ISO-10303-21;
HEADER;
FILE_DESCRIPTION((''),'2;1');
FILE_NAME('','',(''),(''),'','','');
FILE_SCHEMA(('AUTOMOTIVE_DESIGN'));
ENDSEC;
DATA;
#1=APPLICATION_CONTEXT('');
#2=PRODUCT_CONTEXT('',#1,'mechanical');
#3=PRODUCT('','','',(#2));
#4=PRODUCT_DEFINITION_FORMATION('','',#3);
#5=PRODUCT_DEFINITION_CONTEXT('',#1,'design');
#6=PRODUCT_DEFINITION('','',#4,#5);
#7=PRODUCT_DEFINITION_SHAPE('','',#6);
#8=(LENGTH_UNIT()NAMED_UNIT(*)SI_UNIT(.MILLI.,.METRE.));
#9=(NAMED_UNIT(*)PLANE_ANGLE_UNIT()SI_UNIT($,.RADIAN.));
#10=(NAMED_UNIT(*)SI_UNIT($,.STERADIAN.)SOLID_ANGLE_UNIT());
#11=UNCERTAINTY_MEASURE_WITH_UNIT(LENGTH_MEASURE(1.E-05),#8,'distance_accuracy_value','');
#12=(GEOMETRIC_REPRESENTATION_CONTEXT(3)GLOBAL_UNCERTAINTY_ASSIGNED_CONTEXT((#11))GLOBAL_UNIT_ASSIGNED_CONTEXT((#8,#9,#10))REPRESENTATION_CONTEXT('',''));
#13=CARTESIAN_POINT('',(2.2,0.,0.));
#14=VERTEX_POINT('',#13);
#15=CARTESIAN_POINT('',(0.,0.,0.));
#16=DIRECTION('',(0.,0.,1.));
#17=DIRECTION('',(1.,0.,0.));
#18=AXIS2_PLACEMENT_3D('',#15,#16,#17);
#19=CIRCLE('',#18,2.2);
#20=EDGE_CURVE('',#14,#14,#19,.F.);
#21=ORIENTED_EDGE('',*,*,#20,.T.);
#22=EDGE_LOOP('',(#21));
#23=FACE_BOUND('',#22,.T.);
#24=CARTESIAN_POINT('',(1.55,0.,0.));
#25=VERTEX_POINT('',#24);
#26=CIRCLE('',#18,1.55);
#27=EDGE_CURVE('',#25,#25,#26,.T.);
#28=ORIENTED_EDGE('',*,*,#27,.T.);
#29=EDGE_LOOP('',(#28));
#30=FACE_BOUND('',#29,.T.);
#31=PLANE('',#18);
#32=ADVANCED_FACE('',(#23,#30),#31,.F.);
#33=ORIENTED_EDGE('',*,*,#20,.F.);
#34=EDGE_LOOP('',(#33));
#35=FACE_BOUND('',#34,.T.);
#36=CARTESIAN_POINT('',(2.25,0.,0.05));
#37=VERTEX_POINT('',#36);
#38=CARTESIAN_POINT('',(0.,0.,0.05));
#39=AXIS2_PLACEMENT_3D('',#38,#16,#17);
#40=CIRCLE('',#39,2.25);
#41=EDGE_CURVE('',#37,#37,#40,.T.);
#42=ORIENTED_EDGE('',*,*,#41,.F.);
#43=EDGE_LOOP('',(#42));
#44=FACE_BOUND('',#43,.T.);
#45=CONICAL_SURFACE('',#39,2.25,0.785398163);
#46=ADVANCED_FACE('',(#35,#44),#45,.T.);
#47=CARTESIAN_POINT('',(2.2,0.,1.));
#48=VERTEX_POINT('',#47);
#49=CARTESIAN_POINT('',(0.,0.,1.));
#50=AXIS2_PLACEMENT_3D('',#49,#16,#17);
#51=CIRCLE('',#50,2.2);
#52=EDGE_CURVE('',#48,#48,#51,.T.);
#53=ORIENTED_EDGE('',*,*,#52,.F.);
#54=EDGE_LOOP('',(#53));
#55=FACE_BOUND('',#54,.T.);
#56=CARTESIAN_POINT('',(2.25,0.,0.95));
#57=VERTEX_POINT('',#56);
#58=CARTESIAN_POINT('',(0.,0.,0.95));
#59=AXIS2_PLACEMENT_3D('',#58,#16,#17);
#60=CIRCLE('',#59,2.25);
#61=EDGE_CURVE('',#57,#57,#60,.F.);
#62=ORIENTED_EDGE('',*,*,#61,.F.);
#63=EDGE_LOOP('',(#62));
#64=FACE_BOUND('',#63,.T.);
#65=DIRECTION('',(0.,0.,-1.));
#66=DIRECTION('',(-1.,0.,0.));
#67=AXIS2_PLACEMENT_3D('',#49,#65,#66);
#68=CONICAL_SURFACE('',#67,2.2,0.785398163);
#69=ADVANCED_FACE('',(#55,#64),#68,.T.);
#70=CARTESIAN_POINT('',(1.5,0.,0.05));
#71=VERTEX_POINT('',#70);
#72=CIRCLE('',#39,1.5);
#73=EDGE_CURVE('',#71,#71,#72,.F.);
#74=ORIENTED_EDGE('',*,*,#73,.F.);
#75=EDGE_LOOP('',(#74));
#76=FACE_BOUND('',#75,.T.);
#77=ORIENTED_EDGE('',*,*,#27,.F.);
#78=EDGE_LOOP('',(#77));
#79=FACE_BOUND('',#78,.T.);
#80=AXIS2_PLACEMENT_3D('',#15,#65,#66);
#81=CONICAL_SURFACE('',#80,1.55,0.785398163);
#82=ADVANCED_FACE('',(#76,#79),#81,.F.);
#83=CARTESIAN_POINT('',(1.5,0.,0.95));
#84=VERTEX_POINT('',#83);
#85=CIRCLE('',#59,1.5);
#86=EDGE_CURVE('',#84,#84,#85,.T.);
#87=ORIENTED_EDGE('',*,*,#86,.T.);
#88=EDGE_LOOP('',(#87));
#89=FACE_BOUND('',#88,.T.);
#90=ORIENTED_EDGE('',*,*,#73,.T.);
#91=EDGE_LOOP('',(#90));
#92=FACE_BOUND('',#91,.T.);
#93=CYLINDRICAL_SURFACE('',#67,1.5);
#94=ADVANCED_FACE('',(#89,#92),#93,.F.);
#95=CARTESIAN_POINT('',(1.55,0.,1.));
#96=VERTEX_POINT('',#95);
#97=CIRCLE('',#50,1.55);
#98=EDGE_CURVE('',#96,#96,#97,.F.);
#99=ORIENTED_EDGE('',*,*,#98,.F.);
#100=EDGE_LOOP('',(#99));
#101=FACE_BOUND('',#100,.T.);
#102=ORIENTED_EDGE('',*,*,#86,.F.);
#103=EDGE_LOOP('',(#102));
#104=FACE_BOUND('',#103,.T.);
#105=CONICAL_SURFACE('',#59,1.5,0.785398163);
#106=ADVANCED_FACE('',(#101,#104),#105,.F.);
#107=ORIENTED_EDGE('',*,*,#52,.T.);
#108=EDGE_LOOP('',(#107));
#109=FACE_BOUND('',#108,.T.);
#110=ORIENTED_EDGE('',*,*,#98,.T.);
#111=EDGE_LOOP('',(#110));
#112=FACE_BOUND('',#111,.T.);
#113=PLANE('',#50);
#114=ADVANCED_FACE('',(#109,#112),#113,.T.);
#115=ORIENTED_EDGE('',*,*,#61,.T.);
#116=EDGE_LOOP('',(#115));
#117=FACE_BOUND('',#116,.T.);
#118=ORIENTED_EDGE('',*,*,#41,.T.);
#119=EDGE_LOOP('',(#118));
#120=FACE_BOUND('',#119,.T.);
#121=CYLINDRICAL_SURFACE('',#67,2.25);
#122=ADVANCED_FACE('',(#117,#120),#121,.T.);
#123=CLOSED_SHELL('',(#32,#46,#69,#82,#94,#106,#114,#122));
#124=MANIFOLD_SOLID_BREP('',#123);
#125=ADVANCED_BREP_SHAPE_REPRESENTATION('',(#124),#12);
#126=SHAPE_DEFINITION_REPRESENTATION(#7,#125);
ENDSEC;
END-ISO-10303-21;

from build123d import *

# Parameters (mm, degrees)
SKETCH_1_R      = 2.25
SKETCH_1_R_2    = 1.5
EXTRUDE_1_DEPTH = 1
CHAMFER_1_SIZE  = 0.05


with BuildPart() as part:
    # 草图1 → 凸台-拉伸1 (new body)
    with BuildSketch(Plane.XY):
        Circle(SKETCH_1_R)
        Circle(SKETCH_1_R_2, mode=Mode.SUBTRACT)
    extrude(amount=EXTRUDE_1_DEPTH)

    # 倒角1
    chamfer_1_edges = [part.edges().sort_by_distance(p)[0] for p in [
        (-2.25, 0, 0),
        (-2.25, 0, 1),
        (-1.5, 0, 0),
        (-1.5, 0, 1),
    ]]
    chamfer(chamfer_1_edges, length=CHAMFER_1_SIZE)


solid = part.part
